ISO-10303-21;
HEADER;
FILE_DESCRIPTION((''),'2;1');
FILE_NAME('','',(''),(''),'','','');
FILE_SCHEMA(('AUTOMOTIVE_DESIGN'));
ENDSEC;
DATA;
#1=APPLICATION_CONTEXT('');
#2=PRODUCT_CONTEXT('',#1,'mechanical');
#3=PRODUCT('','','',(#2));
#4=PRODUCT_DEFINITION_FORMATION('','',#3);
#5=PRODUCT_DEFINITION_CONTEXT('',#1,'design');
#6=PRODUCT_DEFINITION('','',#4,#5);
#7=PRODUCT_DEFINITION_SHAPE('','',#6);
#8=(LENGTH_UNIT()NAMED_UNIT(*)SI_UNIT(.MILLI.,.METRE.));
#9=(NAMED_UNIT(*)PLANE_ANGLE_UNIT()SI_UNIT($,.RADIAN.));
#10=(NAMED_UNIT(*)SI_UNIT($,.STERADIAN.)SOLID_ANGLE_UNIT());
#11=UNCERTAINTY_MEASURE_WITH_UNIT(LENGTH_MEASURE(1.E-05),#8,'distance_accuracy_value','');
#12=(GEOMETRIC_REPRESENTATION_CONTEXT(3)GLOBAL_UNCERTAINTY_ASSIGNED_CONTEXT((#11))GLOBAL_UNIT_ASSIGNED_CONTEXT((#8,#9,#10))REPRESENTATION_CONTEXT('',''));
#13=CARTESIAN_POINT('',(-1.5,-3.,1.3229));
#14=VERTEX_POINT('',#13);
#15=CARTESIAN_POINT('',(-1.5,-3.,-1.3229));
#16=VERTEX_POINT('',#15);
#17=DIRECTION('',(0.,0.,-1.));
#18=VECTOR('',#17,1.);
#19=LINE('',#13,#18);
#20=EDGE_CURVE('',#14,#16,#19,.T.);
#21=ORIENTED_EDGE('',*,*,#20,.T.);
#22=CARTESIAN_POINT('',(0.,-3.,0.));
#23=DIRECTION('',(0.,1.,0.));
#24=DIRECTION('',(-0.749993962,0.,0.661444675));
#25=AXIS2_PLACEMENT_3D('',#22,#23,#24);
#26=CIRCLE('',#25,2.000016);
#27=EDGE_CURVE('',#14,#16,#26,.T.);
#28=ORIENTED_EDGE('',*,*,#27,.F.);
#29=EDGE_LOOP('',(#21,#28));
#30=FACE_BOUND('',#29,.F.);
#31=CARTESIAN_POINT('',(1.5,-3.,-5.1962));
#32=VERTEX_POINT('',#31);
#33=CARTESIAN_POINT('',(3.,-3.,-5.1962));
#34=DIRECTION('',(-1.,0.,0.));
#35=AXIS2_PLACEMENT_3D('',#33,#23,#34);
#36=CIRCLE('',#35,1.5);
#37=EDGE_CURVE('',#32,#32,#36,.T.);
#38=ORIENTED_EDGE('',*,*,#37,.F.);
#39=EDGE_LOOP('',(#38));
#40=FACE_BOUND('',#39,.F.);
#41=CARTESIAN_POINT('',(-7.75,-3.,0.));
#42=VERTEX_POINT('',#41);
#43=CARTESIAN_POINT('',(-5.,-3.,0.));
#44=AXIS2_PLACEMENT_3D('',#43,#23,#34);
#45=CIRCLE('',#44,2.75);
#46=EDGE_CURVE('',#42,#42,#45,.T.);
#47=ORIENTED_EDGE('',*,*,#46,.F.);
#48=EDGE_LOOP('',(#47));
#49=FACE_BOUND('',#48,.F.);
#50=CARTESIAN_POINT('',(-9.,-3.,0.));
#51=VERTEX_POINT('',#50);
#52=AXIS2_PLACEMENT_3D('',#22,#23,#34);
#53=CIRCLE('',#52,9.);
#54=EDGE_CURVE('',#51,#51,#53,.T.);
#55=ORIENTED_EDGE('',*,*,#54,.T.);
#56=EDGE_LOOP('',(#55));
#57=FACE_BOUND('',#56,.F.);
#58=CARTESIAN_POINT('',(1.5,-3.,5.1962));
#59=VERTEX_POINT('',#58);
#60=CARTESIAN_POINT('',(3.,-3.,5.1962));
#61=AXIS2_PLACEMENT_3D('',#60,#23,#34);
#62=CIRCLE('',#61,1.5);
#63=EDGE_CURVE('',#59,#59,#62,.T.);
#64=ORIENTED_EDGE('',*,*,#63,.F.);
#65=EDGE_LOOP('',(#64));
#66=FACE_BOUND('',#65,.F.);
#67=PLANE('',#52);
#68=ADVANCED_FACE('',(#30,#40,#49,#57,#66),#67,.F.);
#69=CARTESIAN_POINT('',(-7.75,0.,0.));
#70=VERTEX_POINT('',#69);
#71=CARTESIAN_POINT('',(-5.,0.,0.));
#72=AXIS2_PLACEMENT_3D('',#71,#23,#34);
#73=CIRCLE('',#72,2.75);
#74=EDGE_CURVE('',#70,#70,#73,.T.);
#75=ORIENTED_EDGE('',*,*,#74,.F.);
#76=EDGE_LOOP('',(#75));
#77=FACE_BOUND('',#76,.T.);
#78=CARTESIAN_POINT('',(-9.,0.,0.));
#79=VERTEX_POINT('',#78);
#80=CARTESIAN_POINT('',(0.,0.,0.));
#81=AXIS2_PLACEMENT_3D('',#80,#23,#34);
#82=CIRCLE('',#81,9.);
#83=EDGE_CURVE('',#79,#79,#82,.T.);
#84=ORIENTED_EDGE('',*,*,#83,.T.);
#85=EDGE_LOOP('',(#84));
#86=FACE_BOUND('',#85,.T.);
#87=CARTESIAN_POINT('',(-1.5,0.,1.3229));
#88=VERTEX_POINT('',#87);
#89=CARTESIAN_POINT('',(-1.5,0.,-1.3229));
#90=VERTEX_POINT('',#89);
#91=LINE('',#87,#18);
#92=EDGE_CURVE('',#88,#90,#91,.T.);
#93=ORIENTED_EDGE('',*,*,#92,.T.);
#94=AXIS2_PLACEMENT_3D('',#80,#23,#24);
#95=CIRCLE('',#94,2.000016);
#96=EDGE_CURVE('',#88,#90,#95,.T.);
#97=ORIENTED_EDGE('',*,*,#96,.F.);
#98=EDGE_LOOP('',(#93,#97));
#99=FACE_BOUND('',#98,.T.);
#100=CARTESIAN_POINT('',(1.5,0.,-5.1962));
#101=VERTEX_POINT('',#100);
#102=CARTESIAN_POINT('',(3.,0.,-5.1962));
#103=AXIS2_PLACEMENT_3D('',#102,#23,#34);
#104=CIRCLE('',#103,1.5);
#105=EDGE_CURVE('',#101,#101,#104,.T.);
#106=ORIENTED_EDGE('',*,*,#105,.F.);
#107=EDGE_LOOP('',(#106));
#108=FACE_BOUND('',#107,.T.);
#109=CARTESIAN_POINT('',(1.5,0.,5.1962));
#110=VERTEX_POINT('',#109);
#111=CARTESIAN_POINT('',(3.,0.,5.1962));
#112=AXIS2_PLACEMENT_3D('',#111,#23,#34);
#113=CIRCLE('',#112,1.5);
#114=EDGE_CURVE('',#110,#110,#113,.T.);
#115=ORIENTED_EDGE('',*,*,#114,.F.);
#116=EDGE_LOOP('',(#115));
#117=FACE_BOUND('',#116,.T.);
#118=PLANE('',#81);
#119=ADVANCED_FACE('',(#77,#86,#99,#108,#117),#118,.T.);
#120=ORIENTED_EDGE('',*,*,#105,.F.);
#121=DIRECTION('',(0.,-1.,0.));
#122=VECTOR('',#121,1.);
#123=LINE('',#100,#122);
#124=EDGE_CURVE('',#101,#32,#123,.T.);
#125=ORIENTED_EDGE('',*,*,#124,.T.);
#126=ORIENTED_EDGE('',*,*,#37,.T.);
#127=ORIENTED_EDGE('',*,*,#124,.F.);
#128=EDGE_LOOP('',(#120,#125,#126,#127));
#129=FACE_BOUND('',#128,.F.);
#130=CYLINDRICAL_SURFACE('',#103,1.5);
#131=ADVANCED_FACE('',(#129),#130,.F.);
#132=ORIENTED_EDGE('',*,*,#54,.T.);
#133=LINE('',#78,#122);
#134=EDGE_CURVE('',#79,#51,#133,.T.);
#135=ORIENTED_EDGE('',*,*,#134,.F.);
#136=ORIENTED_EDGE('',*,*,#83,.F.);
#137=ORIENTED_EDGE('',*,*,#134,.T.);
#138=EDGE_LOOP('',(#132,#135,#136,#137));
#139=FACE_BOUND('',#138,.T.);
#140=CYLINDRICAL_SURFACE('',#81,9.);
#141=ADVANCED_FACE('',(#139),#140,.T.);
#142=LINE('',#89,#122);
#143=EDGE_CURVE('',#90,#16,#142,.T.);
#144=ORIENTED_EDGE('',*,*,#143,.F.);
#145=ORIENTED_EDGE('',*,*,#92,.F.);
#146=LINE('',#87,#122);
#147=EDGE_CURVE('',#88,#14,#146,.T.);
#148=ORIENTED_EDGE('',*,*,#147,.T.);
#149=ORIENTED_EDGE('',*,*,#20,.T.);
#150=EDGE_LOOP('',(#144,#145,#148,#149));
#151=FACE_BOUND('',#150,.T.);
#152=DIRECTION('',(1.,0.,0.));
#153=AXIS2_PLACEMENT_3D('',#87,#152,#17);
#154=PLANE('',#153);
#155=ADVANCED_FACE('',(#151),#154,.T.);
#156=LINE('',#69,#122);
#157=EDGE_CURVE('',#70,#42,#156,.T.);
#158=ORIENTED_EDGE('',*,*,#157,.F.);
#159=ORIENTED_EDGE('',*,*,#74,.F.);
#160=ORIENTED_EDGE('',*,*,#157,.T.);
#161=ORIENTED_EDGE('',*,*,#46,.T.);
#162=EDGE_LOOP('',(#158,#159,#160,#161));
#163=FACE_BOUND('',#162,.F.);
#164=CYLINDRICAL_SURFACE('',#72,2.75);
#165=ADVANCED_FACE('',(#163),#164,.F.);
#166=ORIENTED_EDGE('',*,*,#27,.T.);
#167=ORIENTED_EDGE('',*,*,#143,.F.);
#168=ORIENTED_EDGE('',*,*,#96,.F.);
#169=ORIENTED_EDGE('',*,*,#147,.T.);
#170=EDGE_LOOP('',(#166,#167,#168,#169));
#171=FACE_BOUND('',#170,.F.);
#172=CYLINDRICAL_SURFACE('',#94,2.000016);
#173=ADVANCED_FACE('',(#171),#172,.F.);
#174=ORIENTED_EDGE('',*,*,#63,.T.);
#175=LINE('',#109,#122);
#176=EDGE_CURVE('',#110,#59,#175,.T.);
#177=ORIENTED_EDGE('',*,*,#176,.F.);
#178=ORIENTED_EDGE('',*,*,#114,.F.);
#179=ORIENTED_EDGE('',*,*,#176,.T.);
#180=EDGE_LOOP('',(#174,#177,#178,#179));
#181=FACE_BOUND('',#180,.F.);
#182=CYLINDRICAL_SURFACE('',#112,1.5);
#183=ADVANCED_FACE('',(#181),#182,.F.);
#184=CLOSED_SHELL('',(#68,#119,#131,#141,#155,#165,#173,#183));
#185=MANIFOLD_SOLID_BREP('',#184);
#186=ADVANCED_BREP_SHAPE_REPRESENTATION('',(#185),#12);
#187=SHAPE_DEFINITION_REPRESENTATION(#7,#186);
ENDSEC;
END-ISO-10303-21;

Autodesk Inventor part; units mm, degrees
ref_plane "YZ Plane" through (0, 0, 0) normal (1, 0, 0) x (0, 1, 0)
ref_plane "XZ Plane" through (0, 0, 0) normal (0, 1, 0) x (-1, 0, 0)
ref_plane "XY Plane" through (0, 0, 0) normal (0, 0, 1) x (1, 0, 0)
sketch "Sketch1" plane through (0, 0, 0) normal (0, 1, 0) x (-1, 0, 0)
  circle A0 centre (0, 0) radius 9
  circle A1 centre (5, 0) radius 6 construction
  line L0 (0, 0) -> (-3, -5.1962) construction
  line L1 (0, 0) -> (-3, 5.1962) construction
  line L2 (0, 0) -> (-6.6506, 0) construction
  circle A2 centre (-3, 5.1962) radius 1.5
  circle A3 centre (-3, -5.1962) radius 1.5
  circle A4 centre (5, 0) radius 2.75
  arc A5 (1.5, 1.3229) -> (1.5, -1.3229) centre (0, 0) ccw
  line L3 (1.5, 1.3229) -> (1.5, -1.3229)
  dimension "d0" = 18
  dimension "d1" = 5
  dimension "d2" = 12
  dimension "d3" = 60
  dimension "d4" = 6
  dimension "d5" = 3
  dimension "d6" = 3
  dimension "d7" = 5.5
  dimension "d9" = 4
  dimension "d10" = 1.5
extrude "Extrusion1" add sketch "Sketch1" against normal blind 3
properties part number "Carrier_top"
